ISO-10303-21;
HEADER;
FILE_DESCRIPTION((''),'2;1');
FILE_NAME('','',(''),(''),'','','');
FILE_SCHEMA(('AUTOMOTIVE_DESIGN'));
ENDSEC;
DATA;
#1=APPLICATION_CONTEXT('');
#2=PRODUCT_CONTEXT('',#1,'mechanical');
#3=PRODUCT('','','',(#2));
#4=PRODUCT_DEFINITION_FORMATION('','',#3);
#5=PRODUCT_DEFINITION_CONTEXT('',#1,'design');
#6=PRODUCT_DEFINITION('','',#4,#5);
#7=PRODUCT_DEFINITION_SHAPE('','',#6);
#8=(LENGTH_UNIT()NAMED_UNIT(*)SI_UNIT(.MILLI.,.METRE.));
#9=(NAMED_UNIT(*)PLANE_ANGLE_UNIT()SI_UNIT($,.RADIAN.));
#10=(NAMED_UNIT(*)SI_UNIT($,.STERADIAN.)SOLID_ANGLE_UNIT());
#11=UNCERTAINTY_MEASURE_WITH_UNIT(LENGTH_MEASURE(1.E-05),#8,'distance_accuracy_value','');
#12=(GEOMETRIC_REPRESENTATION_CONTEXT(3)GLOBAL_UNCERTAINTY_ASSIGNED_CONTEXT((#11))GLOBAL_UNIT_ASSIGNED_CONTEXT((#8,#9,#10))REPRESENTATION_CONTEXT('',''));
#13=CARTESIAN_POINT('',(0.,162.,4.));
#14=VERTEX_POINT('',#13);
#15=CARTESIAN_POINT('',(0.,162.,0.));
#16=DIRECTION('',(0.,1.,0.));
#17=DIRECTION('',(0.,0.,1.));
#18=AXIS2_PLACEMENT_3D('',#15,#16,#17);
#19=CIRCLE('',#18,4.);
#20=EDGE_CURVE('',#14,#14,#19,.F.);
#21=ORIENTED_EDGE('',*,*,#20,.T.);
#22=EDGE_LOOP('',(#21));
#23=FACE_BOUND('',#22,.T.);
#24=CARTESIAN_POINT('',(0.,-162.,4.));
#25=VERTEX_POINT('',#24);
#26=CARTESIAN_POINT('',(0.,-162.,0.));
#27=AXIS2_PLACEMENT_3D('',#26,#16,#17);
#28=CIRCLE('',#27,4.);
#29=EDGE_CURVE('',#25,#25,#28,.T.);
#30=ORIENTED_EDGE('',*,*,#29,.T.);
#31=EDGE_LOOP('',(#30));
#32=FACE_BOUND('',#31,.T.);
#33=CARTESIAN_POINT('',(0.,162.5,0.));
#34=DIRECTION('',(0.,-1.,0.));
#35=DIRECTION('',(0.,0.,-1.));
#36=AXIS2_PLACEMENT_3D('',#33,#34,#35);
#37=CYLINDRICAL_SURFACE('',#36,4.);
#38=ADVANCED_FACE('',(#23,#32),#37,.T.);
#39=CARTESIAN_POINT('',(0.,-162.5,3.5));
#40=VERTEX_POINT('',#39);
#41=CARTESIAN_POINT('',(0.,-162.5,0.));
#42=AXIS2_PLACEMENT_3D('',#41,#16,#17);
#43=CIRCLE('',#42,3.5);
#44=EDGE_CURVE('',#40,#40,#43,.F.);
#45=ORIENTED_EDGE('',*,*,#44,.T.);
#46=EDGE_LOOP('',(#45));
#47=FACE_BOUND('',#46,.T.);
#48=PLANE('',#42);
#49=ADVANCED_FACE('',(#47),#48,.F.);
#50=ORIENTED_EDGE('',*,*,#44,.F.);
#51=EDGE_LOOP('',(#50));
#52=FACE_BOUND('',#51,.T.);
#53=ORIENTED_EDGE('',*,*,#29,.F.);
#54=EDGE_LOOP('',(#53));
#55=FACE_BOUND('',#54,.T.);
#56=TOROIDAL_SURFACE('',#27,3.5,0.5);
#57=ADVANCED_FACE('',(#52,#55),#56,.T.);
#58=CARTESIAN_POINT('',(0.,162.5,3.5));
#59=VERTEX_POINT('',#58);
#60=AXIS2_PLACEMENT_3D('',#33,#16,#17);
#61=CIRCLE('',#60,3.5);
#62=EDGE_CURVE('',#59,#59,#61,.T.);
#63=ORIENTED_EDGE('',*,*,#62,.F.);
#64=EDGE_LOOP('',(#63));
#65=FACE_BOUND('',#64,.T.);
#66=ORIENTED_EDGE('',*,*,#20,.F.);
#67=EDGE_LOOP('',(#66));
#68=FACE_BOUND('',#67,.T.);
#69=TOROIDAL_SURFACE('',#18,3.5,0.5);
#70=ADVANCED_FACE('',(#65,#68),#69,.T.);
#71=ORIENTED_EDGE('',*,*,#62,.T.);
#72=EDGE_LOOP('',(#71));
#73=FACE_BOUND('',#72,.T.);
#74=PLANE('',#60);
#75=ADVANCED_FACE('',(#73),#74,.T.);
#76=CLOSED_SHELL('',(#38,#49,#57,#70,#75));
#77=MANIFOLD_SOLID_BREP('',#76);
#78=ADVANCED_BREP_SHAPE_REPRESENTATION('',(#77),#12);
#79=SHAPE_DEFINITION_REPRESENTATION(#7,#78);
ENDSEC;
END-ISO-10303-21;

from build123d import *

# Parameters (mm, degrees)
SKETCH1_R           = 4
BOSS_EXTRUDE1_DEPTH = 162.5
FILLET1_R           = 0.5


with BuildPart() as part:
    # Sketch1 → Boss-Extrude1 (new, symmetric)
    with BuildSketch(Plane(origin=(0, 0, 0), x_dir=(1, 0, 0), z_dir=(0, 1, 0))):
        with Locations(Location((0, 0, 0), (0, 0, 270))):
            Circle(SKETCH1_R)
    extrude(amount=BOSS_EXTRUDE1_DEPTH, both=True)

    # Fillet1
    fillet1_edges = [part.edges().sort_by_distance(p)[0] for p in [
        (0, -162.5, -4),
        (0, 162.5, -4),
    ]]
    fillet(fillet1_edges, radius=FILLET1_R)


solid = part.part
